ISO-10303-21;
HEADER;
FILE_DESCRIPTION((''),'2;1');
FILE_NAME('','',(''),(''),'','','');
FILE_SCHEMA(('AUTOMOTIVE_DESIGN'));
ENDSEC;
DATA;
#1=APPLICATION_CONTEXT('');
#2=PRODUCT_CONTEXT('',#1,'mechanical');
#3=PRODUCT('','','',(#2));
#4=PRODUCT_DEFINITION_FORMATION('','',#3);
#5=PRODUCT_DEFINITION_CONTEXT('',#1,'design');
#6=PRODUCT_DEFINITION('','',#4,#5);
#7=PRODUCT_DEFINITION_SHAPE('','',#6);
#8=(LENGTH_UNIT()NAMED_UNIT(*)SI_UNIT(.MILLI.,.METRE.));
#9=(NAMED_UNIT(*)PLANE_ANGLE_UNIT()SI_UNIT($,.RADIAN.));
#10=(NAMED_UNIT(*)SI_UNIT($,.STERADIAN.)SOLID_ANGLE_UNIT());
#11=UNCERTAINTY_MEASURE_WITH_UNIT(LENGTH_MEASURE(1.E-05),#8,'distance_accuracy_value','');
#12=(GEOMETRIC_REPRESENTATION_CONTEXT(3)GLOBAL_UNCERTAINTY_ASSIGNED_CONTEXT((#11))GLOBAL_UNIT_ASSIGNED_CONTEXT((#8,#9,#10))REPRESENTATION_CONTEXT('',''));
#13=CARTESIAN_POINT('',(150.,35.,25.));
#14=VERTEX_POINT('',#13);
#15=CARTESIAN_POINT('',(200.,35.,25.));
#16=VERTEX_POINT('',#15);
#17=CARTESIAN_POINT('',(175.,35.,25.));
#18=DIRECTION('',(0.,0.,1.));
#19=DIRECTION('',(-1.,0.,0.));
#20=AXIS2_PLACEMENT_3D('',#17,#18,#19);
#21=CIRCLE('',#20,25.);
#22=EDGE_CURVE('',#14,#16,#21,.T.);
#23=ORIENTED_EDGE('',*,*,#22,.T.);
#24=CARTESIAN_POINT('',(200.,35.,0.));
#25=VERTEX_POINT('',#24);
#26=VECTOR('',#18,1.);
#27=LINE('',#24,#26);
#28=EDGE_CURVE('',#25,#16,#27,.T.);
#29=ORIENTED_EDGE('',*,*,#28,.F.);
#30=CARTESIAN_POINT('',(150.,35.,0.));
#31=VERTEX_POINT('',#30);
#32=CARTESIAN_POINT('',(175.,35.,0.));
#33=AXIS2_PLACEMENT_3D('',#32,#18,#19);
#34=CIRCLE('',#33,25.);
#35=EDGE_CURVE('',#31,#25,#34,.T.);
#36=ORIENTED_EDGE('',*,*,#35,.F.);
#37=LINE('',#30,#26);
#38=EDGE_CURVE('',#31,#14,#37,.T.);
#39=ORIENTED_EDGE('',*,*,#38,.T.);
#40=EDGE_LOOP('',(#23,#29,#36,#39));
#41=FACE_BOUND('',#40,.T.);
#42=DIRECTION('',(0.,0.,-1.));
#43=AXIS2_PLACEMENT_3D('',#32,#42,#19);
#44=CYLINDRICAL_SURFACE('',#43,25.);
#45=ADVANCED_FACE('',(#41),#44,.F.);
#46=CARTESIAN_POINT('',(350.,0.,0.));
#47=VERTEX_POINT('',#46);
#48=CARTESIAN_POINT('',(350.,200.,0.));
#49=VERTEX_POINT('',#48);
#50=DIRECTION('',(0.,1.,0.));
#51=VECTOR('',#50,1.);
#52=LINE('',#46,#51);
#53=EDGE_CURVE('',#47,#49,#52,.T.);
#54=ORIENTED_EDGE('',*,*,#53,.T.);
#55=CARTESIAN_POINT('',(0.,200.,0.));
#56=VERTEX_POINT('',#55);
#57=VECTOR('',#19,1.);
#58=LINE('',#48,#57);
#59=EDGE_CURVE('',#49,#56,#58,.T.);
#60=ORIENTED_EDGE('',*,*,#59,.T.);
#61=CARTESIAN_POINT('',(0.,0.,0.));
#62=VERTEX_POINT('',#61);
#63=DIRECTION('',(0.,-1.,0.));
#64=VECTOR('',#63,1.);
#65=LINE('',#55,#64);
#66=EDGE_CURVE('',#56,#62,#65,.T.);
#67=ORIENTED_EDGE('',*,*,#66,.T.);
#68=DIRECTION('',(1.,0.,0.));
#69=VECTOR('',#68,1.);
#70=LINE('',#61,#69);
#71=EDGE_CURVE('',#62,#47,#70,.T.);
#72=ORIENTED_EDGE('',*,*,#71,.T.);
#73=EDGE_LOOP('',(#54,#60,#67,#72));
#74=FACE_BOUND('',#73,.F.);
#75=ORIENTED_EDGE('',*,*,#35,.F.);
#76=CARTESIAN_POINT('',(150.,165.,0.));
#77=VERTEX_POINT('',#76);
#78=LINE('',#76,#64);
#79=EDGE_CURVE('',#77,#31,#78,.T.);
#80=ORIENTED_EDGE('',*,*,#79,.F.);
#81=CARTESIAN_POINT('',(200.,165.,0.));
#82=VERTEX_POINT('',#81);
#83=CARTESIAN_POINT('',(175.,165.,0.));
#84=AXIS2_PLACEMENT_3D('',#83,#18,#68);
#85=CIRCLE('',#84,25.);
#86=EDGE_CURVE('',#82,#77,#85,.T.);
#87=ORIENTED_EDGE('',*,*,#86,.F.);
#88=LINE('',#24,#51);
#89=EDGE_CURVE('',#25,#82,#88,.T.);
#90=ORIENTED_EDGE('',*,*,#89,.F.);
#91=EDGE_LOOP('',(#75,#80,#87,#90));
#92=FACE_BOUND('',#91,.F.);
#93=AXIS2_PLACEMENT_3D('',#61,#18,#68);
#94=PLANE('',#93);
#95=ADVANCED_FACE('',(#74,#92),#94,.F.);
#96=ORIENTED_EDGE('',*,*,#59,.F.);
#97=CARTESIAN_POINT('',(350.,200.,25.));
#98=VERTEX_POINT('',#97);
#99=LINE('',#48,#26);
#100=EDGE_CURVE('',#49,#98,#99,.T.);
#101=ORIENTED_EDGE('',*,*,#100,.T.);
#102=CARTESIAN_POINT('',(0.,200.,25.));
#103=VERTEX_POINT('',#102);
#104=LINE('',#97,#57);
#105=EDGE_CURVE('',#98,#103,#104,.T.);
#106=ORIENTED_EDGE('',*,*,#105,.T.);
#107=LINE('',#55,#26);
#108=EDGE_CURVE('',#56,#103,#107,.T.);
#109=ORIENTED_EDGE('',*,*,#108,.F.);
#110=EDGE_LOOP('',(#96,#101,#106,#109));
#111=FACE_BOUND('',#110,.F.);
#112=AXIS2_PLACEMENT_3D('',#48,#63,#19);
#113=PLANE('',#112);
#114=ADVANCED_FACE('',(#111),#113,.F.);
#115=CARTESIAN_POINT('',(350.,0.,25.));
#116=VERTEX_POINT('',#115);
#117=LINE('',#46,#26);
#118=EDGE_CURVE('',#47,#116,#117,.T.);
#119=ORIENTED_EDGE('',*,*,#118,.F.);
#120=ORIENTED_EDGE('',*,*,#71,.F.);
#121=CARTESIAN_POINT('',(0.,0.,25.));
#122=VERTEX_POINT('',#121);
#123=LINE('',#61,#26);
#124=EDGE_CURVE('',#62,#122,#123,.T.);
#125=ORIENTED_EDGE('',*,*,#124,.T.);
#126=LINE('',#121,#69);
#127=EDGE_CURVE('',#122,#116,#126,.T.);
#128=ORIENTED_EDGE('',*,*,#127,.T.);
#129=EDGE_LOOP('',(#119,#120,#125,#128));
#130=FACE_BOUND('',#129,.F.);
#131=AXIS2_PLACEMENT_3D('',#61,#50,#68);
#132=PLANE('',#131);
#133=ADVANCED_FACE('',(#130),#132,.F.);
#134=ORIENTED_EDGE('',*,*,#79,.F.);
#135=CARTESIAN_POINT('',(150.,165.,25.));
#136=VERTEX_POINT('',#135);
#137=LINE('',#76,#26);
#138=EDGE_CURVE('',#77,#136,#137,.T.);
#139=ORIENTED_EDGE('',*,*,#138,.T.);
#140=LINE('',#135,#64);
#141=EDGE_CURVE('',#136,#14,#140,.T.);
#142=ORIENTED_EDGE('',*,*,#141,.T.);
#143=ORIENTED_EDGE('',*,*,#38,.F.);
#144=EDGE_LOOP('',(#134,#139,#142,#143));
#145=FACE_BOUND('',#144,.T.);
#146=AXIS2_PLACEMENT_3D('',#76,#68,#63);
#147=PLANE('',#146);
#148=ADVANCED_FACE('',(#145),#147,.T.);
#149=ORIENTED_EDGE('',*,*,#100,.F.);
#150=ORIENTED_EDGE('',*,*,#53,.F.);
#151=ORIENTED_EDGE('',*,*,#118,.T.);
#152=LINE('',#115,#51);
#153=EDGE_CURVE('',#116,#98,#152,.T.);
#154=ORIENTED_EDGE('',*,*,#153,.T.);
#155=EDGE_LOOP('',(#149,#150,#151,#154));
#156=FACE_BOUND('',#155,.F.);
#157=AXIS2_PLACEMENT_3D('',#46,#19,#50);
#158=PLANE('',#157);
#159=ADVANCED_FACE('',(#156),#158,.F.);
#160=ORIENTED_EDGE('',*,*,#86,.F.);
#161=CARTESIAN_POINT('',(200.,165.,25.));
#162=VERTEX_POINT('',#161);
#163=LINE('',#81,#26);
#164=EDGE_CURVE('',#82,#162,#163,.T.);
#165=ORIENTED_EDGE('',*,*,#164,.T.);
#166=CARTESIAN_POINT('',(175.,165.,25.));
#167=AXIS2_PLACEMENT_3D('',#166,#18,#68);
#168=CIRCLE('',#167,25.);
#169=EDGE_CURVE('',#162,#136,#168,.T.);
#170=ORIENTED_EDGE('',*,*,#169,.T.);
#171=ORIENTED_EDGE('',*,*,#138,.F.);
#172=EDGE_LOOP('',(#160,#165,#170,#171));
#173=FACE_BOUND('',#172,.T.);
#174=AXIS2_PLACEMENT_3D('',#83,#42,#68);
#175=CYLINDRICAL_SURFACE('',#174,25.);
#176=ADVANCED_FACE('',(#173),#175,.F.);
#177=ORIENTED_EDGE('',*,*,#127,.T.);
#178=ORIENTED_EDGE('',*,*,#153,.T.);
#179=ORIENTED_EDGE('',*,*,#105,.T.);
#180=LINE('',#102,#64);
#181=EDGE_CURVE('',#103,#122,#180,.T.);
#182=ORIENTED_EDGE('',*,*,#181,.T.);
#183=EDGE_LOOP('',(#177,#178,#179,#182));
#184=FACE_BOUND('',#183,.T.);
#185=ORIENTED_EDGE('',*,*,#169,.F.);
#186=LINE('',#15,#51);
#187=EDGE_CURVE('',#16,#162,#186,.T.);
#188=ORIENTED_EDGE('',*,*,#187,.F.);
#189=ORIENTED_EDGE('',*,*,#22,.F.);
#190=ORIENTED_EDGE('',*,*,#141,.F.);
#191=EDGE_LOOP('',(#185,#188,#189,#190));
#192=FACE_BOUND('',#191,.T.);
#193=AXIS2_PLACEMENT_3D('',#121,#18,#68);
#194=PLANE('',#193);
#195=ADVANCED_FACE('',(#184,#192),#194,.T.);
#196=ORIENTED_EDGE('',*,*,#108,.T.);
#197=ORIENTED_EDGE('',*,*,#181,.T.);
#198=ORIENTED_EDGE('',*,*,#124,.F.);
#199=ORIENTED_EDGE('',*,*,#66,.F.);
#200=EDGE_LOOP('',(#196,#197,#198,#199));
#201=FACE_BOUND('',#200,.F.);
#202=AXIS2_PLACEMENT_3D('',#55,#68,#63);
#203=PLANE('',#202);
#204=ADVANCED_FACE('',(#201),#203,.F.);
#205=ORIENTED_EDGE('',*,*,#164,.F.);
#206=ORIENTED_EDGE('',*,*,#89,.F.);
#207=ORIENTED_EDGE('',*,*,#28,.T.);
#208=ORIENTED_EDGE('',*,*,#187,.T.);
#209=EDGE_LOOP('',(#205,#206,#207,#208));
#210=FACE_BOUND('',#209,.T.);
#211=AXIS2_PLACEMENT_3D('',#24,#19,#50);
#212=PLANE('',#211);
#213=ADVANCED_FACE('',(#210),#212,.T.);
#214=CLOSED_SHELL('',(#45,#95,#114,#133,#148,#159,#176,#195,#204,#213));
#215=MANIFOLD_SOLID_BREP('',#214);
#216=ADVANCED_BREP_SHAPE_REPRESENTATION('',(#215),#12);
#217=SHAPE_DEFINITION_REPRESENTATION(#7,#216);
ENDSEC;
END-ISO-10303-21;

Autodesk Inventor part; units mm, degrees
ref_plane "YZ Plane" through (0, 0, 0) normal (1, 0, 0) x (0, 1, 0)
ref_plane "XZ Plane" through (0, 0, 0) normal (0, 1, 0) x (-1, 0, 0)
ref_plane "XY Plane" through (0, 0, 0) normal (0, 0, 1) x (1, 0, 0)
sketch "Sketch1" plane through (0, 0, 0) normal (0, 0, 1) x (1, 0, 0)
  line L0 (0, 0) -> (350, 0)
  line L1 (350, 0) -> (350, 200)
  line L2 (350, 200) -> (0, 200)
  line L3 (0, 200) -> (0, 0)
  line L4 (175, 165) -> (175, 35) construction
  line L5 (150, 165) -> (150, 35)
  line L6 (200, 35) -> (200, 165)
  arc A0 (200, 165) -> (150, 165) centre (175, 165) ccw
  arc A1 (150, 35) -> (200, 35) centre (175, 35) ccw
  point P0 (175, 100)
  dimension "d6" = 175
  dimension "d7" = 130
extrude "Extrusion1" add sketch "Sketch1" along normal blind 25
properties part number "disk plate"
